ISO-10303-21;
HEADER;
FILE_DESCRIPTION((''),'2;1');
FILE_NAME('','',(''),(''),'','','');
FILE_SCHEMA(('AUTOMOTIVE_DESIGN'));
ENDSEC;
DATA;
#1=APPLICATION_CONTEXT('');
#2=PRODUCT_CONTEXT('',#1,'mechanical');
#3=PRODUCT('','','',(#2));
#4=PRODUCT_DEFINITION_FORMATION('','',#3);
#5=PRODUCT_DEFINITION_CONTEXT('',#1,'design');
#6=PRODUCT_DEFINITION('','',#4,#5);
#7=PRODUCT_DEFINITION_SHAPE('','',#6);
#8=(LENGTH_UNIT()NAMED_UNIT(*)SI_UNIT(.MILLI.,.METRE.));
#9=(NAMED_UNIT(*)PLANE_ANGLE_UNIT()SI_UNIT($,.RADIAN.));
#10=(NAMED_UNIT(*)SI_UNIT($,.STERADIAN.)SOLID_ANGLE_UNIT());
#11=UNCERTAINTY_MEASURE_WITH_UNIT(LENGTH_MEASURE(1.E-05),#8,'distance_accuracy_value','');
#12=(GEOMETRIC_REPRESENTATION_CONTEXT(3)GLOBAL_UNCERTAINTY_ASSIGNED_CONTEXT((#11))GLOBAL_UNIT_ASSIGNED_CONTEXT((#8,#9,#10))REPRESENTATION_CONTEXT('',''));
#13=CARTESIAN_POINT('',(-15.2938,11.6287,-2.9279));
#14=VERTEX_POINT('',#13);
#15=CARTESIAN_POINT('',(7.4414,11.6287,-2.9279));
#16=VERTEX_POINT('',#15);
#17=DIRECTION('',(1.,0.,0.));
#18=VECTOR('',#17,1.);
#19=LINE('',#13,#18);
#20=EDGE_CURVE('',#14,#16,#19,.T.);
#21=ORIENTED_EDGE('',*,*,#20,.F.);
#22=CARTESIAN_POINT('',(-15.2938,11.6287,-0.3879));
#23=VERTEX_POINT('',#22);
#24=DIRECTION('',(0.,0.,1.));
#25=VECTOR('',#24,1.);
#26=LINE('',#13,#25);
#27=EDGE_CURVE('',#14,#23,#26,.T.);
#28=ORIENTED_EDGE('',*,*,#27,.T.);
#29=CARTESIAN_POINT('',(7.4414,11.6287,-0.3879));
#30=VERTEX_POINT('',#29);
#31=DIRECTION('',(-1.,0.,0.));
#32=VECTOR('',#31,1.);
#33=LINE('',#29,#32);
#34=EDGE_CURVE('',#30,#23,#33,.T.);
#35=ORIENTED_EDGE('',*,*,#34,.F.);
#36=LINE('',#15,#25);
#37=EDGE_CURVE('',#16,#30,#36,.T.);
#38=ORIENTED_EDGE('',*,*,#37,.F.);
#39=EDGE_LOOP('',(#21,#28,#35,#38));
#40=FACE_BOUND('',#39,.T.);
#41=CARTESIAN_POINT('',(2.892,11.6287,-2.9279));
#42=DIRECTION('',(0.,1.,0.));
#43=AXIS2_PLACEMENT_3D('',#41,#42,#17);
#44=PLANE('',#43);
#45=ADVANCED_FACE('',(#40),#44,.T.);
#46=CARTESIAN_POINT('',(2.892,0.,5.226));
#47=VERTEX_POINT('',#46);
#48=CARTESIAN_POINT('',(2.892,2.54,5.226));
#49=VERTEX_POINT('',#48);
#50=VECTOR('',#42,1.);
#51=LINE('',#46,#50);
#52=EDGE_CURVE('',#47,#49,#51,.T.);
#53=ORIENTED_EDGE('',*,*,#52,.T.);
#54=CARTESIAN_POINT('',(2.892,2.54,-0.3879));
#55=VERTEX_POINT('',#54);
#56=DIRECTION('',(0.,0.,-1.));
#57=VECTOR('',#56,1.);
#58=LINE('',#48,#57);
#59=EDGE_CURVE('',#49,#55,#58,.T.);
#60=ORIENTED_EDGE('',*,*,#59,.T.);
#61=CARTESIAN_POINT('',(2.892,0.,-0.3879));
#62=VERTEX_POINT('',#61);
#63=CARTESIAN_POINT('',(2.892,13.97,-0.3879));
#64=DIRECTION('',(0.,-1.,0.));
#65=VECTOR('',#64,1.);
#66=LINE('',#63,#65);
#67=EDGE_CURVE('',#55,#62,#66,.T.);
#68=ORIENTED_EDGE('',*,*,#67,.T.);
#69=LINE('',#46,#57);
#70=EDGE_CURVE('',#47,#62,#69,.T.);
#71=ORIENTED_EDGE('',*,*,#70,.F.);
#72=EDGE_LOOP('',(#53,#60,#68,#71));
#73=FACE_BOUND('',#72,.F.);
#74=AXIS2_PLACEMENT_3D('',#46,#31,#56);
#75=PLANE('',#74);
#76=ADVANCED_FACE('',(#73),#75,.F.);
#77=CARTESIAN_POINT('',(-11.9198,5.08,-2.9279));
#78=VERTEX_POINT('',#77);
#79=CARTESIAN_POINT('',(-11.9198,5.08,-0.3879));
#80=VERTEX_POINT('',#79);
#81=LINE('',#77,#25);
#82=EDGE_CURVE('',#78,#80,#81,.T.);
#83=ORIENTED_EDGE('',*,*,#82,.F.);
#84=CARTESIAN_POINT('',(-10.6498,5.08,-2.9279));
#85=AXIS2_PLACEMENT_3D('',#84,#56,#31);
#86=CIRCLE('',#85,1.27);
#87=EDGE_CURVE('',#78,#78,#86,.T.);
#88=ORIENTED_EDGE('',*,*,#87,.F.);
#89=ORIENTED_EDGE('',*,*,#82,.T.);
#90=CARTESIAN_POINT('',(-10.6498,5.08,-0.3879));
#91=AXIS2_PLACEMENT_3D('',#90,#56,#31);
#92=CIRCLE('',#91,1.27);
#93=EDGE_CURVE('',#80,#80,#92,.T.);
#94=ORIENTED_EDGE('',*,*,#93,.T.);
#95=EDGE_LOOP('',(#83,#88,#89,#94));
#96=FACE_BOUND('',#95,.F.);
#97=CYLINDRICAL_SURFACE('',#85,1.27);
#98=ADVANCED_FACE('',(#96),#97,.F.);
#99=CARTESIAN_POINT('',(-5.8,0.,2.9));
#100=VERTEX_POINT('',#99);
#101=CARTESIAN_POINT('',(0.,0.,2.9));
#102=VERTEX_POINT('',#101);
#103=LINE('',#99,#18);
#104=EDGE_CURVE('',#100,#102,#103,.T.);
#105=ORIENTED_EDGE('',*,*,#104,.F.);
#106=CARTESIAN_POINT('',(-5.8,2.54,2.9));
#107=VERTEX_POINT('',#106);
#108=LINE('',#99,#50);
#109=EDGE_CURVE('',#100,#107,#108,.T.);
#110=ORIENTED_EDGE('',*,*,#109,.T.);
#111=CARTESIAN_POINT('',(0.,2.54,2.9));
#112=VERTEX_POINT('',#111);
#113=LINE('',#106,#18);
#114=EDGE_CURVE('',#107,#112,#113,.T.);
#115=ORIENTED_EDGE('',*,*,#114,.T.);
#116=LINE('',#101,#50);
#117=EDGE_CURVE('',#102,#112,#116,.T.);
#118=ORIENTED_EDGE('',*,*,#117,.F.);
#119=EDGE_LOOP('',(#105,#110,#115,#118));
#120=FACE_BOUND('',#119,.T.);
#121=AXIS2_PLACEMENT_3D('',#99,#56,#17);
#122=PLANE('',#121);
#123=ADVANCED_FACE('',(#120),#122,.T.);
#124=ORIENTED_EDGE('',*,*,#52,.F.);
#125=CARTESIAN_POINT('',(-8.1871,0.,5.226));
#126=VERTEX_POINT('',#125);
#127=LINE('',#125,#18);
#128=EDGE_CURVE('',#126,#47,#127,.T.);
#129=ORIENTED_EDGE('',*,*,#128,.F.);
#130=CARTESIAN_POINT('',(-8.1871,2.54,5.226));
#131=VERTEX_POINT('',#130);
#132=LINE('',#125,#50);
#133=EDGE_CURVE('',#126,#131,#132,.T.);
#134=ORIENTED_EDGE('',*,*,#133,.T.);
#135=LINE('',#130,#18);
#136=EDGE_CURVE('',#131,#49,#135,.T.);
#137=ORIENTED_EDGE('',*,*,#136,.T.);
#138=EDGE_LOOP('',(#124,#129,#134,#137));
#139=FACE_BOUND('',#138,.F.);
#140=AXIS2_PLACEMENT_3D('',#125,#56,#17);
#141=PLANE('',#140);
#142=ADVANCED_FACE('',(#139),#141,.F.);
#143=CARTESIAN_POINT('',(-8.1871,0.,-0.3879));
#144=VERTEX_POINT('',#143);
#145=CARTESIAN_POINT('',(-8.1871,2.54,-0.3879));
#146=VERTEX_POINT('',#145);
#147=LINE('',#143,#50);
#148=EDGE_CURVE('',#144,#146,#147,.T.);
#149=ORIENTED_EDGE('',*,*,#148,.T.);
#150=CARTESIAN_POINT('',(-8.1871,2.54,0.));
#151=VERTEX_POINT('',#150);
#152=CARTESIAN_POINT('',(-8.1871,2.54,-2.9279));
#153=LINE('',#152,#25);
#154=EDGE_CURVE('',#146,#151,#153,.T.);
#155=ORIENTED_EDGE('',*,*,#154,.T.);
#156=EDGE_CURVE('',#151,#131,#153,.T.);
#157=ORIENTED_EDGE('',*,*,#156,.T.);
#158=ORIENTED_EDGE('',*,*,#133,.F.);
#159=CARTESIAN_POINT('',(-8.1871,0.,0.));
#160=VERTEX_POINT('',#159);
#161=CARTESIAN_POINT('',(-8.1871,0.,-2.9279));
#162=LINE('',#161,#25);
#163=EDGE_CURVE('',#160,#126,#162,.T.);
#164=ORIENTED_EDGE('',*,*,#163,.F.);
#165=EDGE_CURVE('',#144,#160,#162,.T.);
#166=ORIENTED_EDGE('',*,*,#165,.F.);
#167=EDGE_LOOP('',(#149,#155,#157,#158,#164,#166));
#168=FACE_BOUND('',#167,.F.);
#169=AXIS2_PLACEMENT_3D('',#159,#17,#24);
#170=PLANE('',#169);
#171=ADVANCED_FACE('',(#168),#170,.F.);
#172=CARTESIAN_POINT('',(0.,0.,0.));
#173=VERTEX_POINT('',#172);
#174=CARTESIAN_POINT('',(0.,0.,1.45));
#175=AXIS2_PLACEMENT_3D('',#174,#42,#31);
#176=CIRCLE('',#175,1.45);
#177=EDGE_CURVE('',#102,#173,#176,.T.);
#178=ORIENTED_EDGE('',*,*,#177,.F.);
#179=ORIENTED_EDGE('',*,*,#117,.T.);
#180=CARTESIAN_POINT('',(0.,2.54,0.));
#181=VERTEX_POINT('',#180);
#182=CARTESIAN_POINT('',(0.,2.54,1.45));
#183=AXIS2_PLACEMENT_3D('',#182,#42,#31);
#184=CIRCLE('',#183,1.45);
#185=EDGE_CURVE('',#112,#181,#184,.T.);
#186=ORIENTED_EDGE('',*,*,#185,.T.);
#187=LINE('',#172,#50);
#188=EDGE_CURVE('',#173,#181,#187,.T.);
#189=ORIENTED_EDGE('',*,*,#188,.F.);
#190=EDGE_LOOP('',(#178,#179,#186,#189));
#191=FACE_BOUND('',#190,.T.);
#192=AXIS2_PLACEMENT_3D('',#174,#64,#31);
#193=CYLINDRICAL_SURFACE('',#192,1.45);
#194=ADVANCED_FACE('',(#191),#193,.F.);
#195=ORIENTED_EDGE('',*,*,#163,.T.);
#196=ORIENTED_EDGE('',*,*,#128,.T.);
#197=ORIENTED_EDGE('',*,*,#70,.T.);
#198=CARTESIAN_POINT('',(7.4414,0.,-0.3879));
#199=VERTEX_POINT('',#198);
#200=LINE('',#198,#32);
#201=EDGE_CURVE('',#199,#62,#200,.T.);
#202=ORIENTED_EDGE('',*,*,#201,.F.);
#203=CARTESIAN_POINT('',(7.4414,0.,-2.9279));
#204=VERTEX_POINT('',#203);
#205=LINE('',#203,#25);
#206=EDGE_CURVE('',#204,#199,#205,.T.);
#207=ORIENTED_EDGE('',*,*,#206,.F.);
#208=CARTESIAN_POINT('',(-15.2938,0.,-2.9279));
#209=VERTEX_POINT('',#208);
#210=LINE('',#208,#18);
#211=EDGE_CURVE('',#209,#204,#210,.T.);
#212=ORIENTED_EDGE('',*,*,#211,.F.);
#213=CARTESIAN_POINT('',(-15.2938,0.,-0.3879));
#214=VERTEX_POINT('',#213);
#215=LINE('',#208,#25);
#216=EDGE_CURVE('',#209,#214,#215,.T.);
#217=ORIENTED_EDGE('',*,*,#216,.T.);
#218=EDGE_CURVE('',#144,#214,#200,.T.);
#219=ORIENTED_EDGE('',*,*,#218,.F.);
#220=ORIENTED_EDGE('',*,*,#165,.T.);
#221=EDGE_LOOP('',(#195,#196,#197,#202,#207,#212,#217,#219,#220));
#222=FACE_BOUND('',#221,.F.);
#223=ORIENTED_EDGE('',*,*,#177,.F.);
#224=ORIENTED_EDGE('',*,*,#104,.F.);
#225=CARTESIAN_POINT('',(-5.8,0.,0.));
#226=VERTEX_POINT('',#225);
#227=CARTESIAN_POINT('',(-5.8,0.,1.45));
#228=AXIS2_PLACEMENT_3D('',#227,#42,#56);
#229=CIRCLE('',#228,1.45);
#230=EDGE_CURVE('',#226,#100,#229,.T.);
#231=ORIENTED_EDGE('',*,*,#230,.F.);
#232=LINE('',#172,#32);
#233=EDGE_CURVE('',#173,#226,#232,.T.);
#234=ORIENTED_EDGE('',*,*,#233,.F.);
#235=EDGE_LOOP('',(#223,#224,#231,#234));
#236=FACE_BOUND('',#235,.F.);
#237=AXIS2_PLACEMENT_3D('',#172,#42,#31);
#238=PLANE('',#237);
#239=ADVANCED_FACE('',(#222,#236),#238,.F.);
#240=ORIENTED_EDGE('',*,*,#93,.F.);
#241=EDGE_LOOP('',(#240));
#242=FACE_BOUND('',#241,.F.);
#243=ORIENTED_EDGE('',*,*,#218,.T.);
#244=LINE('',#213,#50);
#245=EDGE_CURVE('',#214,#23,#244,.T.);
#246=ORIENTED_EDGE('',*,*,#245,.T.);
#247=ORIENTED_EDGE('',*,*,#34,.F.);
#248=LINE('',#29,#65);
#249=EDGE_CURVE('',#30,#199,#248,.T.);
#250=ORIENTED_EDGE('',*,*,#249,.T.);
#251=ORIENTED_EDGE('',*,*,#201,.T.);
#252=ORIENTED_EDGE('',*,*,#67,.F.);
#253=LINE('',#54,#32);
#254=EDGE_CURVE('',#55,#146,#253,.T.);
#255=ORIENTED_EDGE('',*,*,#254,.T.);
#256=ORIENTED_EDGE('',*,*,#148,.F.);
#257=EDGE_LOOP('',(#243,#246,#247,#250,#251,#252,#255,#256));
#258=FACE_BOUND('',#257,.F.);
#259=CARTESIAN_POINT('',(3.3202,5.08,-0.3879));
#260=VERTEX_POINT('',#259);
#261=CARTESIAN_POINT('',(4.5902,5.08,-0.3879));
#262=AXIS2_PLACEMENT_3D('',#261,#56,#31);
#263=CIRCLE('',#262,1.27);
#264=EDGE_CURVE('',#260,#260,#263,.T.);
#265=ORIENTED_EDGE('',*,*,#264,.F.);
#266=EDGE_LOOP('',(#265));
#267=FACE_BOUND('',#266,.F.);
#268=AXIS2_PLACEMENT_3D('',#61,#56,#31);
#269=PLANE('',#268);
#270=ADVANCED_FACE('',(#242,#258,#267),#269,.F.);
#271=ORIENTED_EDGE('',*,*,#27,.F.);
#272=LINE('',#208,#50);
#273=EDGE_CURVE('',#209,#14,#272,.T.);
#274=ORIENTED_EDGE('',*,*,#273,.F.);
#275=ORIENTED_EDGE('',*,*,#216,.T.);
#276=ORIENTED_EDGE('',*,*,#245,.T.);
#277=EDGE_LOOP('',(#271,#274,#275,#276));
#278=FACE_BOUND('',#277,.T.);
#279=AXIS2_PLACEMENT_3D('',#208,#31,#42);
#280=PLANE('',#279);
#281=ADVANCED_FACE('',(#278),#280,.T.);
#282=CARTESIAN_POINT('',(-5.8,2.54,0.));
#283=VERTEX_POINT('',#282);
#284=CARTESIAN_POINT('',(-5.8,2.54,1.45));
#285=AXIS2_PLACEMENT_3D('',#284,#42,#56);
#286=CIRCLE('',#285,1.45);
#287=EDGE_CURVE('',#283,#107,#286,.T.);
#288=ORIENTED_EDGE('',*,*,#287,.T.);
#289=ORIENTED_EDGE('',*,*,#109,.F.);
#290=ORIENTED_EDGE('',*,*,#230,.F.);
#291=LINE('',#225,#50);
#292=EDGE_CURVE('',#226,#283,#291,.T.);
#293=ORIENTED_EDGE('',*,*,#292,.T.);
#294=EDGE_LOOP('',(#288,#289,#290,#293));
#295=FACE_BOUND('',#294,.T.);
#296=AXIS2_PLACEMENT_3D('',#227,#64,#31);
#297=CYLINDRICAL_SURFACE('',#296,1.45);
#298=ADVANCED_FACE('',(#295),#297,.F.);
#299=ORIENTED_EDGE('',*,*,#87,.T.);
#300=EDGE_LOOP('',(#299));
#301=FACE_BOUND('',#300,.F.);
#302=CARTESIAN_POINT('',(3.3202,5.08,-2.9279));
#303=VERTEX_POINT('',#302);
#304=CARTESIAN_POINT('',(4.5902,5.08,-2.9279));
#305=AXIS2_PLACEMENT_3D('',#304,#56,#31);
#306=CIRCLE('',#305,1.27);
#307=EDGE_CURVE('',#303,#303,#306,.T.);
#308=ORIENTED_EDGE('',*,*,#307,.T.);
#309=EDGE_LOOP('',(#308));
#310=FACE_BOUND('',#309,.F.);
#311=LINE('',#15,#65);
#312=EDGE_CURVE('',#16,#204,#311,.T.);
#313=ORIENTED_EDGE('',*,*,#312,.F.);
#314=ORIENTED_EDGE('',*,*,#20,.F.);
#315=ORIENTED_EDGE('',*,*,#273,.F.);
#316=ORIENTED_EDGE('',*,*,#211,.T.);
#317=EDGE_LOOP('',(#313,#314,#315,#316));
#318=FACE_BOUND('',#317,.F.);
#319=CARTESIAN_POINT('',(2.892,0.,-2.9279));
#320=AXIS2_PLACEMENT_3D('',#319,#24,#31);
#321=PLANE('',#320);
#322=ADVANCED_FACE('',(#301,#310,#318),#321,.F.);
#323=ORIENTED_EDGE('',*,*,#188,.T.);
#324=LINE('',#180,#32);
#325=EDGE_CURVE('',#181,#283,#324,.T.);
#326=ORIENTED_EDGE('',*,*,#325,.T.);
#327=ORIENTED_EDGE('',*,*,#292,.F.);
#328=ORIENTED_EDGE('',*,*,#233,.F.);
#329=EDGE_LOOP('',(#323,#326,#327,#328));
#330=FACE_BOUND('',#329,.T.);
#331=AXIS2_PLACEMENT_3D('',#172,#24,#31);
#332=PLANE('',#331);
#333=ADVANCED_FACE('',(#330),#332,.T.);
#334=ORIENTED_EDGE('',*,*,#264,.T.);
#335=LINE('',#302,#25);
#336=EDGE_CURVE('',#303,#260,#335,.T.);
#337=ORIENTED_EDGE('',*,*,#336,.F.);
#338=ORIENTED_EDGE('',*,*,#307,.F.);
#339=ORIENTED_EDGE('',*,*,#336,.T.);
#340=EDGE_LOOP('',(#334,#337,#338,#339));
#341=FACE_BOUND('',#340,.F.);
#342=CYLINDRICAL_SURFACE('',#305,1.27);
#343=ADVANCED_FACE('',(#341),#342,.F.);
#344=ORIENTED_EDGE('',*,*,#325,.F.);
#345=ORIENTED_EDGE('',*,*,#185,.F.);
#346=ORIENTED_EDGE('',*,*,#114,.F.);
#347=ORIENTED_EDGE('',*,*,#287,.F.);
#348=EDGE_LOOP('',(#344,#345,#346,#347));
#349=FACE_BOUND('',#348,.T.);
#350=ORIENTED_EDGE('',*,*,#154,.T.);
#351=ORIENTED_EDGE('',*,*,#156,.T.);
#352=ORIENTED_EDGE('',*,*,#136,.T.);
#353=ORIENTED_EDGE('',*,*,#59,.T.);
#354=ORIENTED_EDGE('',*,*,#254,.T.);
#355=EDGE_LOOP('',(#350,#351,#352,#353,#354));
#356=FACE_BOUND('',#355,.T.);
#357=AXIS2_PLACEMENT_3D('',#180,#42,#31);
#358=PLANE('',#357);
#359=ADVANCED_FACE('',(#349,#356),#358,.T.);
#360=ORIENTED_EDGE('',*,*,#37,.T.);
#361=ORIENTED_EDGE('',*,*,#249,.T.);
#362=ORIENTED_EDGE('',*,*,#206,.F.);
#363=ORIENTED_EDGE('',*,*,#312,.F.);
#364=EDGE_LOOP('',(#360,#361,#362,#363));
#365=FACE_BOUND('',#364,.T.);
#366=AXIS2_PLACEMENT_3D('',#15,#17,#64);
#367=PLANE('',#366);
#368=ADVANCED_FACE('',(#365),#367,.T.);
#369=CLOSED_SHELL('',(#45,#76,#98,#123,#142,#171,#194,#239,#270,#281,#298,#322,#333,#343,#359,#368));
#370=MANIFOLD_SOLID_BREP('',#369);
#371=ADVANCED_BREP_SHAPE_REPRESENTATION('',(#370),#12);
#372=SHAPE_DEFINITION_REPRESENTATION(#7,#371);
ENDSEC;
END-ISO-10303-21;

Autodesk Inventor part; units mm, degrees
ref_plane "YZ Plane" through (0, 0, 0) normal (1, 0, 0) x (0, 1, 0)
ref_plane "XZ Plane" through (0, 0, 0) normal (0, 1, 0) x (-1, 0, 0)
ref_plane "XY Plane" through (0, 0, 0) normal (0, 0, 1) x (1, 0, 0)
sketch "Sketch1" plane through (0, 0, 0) normal (0, 1, 0) x (-1, 0, 0)
  line L0 (0, 0) -> (11.5488, 0)
  line L1 (0, 0) -> (5.8, 0)
  circle A0 centre (0, 1.45) radius 1.45
  circle A1 centre (5.8, 1.45) radius 1.45
  line L2 (5.8, 2.9) -> (0, 2.9)
  circle A2 centre (5.8, 1.45) radius 1.45
  circle A3 centre (0, 1.45) radius 1.45
  line L3 (0, 0) -> (5.8, 0)
  line L4 (0, 2.9) -> (5.8, 2.9)
  line L5 (8.1871, 5.226) -> (-2.892, 5.226)
  line L6 (-2.892, 5.226) -> (-2.892, -2.9279)
  line L7 (-2.892, -2.9279) -> (8.1871, -2.9279)
  line L8 (8.1871, -2.9279) -> (8.1871, 5.226)
  point P0 (5.8, 0)
extrude "Extrusion1" add sketch "Sketch1" along normal blind 2.54
sketch "Sketch2" plane through (2.892, 0, -2.9279) normal (0, 0, -1) x (-1, 0, 0)
  line L0 (0, 0) -> (11.0791, 0)
  line L1 (11.0791, 0) -> (11.0791, 13.97)
  line L2 (11.0791, 13.97) -> (0, 13.97)
  line L3 (0, 13.97) -> (0, 0)
  circle A0 centre (13.5418, 5.08) radius 1.27
  circle A1 centre (-1.6982, 5.08) radius 1.27
  line L4 (8.692, 0) -> (2.892, 0) projected
  line L5 (2.892, 0) -> (8.692, 0) projected
  line L6 (6.1758, 0) -> (6.1758, 1.3937)
  line L7 (0, 2.54) -> (11.0791, 2.54) projected
  line L8 (-4.5494, 0) -> (18.1858, 0)
  line L9 (18.1858, 0) -> (18.1858, 11.6287)
  line L10 (18.1858, 11.6287) -> (-4.5494, 11.6287)
  line L11 (-4.5494, 11.6287) -> (-4.5494, 0)
  dimension "d2" = 13.97
  dimension "d3" = 2.54
  dimension "d4" = 2.54
  dimension "d5" = 15.24
  dimension "d6" = 7.366
  dimension "d7" = 2.54
  dimension "d8" = 2.54
extrude "Extrusion2" add sketch "Sketch2" against normal blind 2.54 contours L8 L11 L10 L3 | L3 L10 L1 L7 | L1 L10 L9 L8
properties part number "USB_C_Mount_Only"
